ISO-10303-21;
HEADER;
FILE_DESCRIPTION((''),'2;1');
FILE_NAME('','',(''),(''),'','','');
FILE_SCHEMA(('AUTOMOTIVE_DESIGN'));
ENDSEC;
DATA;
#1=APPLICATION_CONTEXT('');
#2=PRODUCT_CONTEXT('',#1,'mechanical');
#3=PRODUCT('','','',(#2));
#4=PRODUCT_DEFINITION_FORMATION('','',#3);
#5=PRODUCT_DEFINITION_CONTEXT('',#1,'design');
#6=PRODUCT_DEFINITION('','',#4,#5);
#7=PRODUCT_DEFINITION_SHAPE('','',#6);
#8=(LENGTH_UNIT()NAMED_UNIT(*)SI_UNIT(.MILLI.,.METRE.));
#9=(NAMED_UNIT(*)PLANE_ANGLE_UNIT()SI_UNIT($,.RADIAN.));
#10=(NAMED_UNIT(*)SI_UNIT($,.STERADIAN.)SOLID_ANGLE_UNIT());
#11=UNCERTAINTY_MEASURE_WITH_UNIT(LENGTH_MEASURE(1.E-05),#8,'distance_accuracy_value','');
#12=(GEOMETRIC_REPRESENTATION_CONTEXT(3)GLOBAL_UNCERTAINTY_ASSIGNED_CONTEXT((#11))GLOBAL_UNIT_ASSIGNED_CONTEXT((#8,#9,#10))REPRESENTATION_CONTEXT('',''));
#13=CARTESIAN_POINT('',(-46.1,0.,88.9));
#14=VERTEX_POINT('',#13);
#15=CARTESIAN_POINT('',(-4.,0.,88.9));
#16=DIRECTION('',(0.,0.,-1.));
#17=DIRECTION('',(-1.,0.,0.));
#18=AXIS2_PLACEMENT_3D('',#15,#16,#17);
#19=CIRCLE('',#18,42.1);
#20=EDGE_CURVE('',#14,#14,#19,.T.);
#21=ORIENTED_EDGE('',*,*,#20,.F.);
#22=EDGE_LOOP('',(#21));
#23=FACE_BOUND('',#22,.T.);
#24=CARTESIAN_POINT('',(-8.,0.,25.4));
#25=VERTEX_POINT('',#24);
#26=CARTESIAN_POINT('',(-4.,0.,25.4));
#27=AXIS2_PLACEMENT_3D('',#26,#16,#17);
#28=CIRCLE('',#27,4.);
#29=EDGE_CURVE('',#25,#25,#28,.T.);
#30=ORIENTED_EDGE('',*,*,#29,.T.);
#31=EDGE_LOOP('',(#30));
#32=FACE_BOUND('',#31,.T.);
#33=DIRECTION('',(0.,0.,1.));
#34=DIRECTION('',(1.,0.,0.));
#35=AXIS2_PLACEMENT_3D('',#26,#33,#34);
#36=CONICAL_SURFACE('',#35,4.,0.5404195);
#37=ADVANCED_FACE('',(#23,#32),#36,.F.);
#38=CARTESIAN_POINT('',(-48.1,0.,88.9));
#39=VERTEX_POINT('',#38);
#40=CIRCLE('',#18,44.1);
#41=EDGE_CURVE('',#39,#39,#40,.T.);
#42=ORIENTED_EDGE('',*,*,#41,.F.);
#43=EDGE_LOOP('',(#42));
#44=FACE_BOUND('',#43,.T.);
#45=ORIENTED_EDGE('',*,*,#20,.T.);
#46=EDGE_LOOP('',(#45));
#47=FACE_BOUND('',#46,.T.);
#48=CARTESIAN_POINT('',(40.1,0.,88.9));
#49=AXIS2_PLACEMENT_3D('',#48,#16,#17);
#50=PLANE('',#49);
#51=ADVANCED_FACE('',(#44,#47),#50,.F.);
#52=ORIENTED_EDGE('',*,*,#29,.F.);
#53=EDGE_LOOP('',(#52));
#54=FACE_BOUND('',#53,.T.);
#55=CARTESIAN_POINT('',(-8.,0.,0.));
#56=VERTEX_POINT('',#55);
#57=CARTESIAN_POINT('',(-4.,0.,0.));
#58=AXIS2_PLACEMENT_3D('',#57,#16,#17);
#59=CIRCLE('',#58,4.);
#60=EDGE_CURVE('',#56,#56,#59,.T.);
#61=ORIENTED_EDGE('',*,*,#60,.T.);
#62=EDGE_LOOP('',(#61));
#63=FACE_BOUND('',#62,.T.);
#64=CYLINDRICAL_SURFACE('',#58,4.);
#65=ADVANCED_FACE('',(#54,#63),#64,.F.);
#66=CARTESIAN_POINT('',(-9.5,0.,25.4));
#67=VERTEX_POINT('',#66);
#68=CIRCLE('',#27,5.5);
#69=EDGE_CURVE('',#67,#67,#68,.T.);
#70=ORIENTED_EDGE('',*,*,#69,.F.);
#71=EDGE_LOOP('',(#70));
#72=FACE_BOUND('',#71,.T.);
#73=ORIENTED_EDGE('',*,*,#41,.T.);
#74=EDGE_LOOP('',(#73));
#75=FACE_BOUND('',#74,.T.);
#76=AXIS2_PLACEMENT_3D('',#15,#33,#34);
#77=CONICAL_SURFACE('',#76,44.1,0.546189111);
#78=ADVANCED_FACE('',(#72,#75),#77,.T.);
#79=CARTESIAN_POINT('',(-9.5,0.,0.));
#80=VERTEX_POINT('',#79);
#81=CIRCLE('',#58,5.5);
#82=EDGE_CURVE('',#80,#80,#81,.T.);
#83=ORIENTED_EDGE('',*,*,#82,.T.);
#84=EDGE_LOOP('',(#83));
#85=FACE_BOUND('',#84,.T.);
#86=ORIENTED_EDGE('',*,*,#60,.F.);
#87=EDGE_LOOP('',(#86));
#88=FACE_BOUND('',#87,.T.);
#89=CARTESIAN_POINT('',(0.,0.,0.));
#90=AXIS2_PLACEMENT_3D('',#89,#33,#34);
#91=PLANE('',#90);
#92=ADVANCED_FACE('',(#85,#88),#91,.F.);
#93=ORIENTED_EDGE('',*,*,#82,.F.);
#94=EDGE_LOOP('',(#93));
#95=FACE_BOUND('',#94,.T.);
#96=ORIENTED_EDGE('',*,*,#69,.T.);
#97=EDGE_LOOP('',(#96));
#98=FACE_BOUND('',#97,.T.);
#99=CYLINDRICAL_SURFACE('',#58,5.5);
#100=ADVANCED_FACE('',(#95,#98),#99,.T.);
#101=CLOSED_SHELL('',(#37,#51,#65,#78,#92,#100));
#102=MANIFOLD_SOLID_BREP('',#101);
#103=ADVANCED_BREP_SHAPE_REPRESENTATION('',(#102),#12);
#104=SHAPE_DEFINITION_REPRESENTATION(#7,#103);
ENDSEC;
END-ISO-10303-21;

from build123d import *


with BuildPart() as part:
    # Sketch1 → Revolve1 (revolve)
    with BuildSketch(Plane(origin=(0, 0, 0), x_dir=(1, 0, 0), z_dir=(0, 1, 0))):
        Polygon((0, 0), (0, -25.4), (38.1, -88.9), (40.1, -88.9), (1.5, -25.4), (1.5, 0), align=None)
    revolve(axis=Axis((-4, 0, 0), (0, 0, 1)))


solid = part.part
